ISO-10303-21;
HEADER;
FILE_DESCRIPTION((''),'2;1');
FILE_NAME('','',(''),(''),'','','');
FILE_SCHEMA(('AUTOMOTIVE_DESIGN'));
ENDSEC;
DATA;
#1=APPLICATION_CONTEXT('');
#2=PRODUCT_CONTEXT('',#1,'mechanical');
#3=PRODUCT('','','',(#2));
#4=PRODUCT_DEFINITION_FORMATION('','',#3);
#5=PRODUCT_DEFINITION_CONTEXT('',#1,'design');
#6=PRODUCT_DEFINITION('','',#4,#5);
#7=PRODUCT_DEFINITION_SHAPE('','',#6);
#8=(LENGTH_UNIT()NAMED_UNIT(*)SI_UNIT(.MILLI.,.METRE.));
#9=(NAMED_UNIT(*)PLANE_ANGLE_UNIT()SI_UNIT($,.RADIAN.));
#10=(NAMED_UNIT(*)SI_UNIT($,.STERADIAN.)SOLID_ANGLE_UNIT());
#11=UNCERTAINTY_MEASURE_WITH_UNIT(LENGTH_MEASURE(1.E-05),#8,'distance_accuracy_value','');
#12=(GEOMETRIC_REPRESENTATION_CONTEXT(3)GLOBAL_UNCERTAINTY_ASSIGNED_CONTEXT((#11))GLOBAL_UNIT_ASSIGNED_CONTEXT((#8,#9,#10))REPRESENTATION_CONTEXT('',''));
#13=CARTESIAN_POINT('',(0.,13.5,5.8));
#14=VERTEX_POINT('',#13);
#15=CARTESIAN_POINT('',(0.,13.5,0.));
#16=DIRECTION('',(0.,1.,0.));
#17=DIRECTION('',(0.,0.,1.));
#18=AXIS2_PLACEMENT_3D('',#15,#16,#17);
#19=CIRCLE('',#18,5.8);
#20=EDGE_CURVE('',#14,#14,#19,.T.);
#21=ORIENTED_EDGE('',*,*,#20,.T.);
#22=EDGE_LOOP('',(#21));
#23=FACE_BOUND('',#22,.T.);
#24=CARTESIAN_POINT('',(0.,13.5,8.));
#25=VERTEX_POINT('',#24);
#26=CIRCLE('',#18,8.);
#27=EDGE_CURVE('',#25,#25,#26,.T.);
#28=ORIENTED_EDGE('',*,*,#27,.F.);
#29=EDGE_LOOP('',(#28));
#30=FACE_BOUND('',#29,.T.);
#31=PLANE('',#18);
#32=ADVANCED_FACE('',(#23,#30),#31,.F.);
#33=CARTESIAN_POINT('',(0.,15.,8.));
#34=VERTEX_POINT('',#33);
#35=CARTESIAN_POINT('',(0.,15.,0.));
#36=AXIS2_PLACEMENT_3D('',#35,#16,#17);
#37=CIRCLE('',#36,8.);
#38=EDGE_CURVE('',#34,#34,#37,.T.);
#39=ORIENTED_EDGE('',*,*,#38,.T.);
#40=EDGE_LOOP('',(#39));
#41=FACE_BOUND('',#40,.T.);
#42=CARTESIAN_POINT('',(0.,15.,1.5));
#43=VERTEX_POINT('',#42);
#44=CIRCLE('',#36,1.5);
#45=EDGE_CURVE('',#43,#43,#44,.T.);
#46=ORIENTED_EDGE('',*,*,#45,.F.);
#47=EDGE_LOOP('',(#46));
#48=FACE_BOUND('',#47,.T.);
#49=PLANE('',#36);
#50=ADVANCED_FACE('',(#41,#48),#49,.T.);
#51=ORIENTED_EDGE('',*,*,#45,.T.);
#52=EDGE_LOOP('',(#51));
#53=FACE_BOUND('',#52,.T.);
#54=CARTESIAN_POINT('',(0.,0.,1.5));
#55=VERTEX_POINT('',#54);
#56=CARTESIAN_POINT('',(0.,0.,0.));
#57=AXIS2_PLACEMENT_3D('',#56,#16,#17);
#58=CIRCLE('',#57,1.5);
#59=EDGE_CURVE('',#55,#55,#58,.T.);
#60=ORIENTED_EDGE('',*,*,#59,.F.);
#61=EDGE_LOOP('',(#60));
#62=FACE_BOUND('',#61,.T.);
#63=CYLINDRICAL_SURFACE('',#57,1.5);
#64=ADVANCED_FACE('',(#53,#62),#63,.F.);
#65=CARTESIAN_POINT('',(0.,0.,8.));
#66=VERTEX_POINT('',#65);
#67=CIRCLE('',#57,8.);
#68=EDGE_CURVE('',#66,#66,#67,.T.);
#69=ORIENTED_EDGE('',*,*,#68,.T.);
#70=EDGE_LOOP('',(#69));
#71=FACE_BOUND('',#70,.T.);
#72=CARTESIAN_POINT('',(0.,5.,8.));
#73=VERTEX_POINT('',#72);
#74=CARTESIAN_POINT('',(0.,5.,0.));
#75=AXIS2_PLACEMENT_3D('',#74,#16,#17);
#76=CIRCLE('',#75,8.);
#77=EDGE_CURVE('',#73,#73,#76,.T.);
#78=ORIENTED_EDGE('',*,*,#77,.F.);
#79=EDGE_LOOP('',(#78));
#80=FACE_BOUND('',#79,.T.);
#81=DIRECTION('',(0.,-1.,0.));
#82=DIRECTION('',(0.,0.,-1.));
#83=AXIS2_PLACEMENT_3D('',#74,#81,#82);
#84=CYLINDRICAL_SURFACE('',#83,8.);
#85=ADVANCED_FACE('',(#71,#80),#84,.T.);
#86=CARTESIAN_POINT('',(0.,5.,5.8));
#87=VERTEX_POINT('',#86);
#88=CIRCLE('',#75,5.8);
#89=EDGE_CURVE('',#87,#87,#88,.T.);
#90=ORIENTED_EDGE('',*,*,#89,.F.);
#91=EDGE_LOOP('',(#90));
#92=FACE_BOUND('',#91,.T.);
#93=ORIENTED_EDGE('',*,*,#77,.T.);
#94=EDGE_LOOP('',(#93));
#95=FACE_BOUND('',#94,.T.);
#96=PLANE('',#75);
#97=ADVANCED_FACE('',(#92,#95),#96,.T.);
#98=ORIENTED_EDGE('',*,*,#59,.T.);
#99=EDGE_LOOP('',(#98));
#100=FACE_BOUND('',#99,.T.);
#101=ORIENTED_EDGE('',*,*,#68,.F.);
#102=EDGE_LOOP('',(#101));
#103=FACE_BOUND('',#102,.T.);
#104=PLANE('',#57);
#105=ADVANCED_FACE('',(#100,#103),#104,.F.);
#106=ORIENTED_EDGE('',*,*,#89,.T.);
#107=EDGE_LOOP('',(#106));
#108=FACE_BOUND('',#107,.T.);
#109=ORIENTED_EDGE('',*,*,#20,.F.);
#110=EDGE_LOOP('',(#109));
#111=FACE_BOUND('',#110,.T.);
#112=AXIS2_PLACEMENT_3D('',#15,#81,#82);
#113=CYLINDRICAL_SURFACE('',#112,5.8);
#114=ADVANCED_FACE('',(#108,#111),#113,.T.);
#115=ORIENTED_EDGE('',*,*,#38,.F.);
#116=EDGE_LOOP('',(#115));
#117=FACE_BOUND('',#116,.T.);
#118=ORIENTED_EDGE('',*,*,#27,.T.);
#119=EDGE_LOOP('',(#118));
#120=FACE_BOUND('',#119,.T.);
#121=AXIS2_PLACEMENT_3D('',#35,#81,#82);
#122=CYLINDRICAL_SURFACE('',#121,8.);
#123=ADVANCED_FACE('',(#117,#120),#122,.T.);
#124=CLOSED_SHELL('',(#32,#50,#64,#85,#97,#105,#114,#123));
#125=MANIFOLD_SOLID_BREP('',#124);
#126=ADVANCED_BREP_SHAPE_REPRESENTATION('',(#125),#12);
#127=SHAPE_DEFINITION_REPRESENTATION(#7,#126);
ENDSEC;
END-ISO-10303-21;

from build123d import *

# Parameters (mm, degrees)
SKETCH1_R           = 8
BOSS_EXTRUDE1_DEPTH = 5
SKETCH2_R           = 5.8
BOSS_EXTRUDE2_DEPTH = 8.5
SKETCH3_R           = 8
BOSS_EXTRUDE3_DEPTH = 1.5
SKETCH4_R           = 1.5
CUT_EXTRUDE1_DEPTH  = 15


with BuildPart() as part:
    # Sketch1 → Boss-Extrude1 (new body)
    with BuildSketch(Plane(origin=(0, 0, 0), x_dir=(1, 0, 0), z_dir=(0, 1, 0))):
        with Locations(Location((0, 0, 0), (0, 0, 270))):
            Circle(SKETCH1_R)
    extrude(amount=BOSS_EXTRUDE1_DEPTH)

    # Sketch2 → Boss-Extrude2 (add)
    with BuildSketch(Plane(origin=(0, 5, 0), x_dir=(1, 0, 0), z_dir=(0, 1, 0))):
        with Locations(Location((0, 0, 0), (0, 0, 270))):
            Circle(SKETCH2_R)
    extrude(amount=BOSS_EXTRUDE2_DEPTH)

    # Sketch3 → Boss-Extrude3 (add)
    with BuildSketch(Plane(origin=(0, 13.5, 0), x_dir=(1, 0, 0), z_dir=(0, 1, 0))):
        with Locations(Location((0, 0, 0), (0, 0, 270))):
            Circle(SKETCH3_R)
    extrude(amount=BOSS_EXTRUDE3_DEPTH)

    # Sketch4 → Cut-Extrude1 (cut)
    with BuildSketch(Plane(origin=(0, 15, 0), x_dir=(1, 0, 0), z_dir=(0, 1, 0))):
        with Locations(Location((0, 0, 0), (0, 0, 270))):
            Circle(SKETCH4_R)
    extrude(amount=-CUT_EXTRUDE1_DEPTH, mode=Mode.SUBTRACT)


solid = part.part
